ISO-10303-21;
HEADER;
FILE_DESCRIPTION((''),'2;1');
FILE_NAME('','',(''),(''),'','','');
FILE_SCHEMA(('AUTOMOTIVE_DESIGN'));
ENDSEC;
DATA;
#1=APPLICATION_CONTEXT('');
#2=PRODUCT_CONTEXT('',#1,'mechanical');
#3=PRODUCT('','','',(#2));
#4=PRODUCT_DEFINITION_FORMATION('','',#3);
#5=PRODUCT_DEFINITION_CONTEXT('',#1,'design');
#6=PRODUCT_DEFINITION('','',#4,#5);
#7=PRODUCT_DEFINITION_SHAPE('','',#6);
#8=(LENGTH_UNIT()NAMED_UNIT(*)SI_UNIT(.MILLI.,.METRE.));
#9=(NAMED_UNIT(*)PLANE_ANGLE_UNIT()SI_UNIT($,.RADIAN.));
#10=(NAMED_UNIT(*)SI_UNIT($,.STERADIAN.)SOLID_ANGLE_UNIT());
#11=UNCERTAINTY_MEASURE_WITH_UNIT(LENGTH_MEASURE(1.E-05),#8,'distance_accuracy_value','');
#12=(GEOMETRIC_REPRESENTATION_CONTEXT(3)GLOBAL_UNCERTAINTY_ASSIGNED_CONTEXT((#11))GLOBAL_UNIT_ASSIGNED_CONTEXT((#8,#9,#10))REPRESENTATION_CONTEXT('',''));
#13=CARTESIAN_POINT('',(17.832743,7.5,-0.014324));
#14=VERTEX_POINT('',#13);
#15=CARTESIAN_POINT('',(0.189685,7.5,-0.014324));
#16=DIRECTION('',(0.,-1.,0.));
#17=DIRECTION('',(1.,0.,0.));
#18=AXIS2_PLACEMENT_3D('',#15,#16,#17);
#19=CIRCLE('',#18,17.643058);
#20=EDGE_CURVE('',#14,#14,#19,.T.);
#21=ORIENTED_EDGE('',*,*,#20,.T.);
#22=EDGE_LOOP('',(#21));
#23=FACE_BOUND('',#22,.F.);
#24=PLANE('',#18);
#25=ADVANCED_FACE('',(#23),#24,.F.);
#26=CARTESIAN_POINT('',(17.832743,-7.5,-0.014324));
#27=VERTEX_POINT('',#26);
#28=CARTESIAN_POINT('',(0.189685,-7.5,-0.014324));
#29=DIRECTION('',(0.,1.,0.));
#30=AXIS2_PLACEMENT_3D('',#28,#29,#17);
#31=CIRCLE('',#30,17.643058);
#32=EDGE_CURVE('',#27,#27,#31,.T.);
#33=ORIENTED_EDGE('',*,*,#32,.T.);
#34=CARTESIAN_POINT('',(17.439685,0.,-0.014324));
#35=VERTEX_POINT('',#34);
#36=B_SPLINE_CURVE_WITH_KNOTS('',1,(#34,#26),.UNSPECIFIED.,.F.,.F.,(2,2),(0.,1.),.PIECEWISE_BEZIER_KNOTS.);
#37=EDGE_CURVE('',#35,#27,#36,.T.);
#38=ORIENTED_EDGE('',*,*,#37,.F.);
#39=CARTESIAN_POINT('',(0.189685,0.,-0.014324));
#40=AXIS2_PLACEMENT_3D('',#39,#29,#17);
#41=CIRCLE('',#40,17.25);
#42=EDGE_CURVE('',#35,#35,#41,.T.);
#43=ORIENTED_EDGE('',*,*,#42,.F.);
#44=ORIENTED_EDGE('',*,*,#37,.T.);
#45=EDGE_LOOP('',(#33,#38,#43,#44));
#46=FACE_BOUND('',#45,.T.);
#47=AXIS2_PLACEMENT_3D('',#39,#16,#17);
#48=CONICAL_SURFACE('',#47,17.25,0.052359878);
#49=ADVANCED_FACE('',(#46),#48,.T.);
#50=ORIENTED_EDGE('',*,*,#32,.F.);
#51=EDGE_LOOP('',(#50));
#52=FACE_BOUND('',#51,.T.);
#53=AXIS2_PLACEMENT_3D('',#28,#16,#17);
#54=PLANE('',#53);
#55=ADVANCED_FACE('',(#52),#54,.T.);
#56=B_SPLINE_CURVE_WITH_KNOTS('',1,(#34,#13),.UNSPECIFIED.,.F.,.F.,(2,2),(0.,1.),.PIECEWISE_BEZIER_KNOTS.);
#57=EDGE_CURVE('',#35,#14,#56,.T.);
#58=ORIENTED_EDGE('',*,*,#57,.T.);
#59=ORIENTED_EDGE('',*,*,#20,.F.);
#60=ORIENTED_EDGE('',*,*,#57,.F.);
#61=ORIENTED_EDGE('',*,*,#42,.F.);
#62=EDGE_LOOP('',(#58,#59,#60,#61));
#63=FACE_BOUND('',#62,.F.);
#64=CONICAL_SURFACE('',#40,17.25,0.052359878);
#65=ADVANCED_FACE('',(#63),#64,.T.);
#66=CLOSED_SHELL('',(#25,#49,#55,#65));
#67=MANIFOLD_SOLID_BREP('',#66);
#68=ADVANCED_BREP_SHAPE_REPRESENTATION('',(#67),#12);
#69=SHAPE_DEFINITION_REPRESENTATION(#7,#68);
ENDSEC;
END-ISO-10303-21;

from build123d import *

# Parameters (mm, degrees)
F0_R     = 17.25
F2_DEPTH = 7.5
F2_TAPER = -3


with BuildPart() as f2:
    # F0 (on Front) → F2 (new body, symmetric)
    with BuildSketch(Plane.XZ):
        with Locations((0.189684506, -0.0143237949)):
            Circle(F0_R)
    extrude(amount=F2_DEPTH, both=True, taper=F2_TAPER)


solid = f2.part
